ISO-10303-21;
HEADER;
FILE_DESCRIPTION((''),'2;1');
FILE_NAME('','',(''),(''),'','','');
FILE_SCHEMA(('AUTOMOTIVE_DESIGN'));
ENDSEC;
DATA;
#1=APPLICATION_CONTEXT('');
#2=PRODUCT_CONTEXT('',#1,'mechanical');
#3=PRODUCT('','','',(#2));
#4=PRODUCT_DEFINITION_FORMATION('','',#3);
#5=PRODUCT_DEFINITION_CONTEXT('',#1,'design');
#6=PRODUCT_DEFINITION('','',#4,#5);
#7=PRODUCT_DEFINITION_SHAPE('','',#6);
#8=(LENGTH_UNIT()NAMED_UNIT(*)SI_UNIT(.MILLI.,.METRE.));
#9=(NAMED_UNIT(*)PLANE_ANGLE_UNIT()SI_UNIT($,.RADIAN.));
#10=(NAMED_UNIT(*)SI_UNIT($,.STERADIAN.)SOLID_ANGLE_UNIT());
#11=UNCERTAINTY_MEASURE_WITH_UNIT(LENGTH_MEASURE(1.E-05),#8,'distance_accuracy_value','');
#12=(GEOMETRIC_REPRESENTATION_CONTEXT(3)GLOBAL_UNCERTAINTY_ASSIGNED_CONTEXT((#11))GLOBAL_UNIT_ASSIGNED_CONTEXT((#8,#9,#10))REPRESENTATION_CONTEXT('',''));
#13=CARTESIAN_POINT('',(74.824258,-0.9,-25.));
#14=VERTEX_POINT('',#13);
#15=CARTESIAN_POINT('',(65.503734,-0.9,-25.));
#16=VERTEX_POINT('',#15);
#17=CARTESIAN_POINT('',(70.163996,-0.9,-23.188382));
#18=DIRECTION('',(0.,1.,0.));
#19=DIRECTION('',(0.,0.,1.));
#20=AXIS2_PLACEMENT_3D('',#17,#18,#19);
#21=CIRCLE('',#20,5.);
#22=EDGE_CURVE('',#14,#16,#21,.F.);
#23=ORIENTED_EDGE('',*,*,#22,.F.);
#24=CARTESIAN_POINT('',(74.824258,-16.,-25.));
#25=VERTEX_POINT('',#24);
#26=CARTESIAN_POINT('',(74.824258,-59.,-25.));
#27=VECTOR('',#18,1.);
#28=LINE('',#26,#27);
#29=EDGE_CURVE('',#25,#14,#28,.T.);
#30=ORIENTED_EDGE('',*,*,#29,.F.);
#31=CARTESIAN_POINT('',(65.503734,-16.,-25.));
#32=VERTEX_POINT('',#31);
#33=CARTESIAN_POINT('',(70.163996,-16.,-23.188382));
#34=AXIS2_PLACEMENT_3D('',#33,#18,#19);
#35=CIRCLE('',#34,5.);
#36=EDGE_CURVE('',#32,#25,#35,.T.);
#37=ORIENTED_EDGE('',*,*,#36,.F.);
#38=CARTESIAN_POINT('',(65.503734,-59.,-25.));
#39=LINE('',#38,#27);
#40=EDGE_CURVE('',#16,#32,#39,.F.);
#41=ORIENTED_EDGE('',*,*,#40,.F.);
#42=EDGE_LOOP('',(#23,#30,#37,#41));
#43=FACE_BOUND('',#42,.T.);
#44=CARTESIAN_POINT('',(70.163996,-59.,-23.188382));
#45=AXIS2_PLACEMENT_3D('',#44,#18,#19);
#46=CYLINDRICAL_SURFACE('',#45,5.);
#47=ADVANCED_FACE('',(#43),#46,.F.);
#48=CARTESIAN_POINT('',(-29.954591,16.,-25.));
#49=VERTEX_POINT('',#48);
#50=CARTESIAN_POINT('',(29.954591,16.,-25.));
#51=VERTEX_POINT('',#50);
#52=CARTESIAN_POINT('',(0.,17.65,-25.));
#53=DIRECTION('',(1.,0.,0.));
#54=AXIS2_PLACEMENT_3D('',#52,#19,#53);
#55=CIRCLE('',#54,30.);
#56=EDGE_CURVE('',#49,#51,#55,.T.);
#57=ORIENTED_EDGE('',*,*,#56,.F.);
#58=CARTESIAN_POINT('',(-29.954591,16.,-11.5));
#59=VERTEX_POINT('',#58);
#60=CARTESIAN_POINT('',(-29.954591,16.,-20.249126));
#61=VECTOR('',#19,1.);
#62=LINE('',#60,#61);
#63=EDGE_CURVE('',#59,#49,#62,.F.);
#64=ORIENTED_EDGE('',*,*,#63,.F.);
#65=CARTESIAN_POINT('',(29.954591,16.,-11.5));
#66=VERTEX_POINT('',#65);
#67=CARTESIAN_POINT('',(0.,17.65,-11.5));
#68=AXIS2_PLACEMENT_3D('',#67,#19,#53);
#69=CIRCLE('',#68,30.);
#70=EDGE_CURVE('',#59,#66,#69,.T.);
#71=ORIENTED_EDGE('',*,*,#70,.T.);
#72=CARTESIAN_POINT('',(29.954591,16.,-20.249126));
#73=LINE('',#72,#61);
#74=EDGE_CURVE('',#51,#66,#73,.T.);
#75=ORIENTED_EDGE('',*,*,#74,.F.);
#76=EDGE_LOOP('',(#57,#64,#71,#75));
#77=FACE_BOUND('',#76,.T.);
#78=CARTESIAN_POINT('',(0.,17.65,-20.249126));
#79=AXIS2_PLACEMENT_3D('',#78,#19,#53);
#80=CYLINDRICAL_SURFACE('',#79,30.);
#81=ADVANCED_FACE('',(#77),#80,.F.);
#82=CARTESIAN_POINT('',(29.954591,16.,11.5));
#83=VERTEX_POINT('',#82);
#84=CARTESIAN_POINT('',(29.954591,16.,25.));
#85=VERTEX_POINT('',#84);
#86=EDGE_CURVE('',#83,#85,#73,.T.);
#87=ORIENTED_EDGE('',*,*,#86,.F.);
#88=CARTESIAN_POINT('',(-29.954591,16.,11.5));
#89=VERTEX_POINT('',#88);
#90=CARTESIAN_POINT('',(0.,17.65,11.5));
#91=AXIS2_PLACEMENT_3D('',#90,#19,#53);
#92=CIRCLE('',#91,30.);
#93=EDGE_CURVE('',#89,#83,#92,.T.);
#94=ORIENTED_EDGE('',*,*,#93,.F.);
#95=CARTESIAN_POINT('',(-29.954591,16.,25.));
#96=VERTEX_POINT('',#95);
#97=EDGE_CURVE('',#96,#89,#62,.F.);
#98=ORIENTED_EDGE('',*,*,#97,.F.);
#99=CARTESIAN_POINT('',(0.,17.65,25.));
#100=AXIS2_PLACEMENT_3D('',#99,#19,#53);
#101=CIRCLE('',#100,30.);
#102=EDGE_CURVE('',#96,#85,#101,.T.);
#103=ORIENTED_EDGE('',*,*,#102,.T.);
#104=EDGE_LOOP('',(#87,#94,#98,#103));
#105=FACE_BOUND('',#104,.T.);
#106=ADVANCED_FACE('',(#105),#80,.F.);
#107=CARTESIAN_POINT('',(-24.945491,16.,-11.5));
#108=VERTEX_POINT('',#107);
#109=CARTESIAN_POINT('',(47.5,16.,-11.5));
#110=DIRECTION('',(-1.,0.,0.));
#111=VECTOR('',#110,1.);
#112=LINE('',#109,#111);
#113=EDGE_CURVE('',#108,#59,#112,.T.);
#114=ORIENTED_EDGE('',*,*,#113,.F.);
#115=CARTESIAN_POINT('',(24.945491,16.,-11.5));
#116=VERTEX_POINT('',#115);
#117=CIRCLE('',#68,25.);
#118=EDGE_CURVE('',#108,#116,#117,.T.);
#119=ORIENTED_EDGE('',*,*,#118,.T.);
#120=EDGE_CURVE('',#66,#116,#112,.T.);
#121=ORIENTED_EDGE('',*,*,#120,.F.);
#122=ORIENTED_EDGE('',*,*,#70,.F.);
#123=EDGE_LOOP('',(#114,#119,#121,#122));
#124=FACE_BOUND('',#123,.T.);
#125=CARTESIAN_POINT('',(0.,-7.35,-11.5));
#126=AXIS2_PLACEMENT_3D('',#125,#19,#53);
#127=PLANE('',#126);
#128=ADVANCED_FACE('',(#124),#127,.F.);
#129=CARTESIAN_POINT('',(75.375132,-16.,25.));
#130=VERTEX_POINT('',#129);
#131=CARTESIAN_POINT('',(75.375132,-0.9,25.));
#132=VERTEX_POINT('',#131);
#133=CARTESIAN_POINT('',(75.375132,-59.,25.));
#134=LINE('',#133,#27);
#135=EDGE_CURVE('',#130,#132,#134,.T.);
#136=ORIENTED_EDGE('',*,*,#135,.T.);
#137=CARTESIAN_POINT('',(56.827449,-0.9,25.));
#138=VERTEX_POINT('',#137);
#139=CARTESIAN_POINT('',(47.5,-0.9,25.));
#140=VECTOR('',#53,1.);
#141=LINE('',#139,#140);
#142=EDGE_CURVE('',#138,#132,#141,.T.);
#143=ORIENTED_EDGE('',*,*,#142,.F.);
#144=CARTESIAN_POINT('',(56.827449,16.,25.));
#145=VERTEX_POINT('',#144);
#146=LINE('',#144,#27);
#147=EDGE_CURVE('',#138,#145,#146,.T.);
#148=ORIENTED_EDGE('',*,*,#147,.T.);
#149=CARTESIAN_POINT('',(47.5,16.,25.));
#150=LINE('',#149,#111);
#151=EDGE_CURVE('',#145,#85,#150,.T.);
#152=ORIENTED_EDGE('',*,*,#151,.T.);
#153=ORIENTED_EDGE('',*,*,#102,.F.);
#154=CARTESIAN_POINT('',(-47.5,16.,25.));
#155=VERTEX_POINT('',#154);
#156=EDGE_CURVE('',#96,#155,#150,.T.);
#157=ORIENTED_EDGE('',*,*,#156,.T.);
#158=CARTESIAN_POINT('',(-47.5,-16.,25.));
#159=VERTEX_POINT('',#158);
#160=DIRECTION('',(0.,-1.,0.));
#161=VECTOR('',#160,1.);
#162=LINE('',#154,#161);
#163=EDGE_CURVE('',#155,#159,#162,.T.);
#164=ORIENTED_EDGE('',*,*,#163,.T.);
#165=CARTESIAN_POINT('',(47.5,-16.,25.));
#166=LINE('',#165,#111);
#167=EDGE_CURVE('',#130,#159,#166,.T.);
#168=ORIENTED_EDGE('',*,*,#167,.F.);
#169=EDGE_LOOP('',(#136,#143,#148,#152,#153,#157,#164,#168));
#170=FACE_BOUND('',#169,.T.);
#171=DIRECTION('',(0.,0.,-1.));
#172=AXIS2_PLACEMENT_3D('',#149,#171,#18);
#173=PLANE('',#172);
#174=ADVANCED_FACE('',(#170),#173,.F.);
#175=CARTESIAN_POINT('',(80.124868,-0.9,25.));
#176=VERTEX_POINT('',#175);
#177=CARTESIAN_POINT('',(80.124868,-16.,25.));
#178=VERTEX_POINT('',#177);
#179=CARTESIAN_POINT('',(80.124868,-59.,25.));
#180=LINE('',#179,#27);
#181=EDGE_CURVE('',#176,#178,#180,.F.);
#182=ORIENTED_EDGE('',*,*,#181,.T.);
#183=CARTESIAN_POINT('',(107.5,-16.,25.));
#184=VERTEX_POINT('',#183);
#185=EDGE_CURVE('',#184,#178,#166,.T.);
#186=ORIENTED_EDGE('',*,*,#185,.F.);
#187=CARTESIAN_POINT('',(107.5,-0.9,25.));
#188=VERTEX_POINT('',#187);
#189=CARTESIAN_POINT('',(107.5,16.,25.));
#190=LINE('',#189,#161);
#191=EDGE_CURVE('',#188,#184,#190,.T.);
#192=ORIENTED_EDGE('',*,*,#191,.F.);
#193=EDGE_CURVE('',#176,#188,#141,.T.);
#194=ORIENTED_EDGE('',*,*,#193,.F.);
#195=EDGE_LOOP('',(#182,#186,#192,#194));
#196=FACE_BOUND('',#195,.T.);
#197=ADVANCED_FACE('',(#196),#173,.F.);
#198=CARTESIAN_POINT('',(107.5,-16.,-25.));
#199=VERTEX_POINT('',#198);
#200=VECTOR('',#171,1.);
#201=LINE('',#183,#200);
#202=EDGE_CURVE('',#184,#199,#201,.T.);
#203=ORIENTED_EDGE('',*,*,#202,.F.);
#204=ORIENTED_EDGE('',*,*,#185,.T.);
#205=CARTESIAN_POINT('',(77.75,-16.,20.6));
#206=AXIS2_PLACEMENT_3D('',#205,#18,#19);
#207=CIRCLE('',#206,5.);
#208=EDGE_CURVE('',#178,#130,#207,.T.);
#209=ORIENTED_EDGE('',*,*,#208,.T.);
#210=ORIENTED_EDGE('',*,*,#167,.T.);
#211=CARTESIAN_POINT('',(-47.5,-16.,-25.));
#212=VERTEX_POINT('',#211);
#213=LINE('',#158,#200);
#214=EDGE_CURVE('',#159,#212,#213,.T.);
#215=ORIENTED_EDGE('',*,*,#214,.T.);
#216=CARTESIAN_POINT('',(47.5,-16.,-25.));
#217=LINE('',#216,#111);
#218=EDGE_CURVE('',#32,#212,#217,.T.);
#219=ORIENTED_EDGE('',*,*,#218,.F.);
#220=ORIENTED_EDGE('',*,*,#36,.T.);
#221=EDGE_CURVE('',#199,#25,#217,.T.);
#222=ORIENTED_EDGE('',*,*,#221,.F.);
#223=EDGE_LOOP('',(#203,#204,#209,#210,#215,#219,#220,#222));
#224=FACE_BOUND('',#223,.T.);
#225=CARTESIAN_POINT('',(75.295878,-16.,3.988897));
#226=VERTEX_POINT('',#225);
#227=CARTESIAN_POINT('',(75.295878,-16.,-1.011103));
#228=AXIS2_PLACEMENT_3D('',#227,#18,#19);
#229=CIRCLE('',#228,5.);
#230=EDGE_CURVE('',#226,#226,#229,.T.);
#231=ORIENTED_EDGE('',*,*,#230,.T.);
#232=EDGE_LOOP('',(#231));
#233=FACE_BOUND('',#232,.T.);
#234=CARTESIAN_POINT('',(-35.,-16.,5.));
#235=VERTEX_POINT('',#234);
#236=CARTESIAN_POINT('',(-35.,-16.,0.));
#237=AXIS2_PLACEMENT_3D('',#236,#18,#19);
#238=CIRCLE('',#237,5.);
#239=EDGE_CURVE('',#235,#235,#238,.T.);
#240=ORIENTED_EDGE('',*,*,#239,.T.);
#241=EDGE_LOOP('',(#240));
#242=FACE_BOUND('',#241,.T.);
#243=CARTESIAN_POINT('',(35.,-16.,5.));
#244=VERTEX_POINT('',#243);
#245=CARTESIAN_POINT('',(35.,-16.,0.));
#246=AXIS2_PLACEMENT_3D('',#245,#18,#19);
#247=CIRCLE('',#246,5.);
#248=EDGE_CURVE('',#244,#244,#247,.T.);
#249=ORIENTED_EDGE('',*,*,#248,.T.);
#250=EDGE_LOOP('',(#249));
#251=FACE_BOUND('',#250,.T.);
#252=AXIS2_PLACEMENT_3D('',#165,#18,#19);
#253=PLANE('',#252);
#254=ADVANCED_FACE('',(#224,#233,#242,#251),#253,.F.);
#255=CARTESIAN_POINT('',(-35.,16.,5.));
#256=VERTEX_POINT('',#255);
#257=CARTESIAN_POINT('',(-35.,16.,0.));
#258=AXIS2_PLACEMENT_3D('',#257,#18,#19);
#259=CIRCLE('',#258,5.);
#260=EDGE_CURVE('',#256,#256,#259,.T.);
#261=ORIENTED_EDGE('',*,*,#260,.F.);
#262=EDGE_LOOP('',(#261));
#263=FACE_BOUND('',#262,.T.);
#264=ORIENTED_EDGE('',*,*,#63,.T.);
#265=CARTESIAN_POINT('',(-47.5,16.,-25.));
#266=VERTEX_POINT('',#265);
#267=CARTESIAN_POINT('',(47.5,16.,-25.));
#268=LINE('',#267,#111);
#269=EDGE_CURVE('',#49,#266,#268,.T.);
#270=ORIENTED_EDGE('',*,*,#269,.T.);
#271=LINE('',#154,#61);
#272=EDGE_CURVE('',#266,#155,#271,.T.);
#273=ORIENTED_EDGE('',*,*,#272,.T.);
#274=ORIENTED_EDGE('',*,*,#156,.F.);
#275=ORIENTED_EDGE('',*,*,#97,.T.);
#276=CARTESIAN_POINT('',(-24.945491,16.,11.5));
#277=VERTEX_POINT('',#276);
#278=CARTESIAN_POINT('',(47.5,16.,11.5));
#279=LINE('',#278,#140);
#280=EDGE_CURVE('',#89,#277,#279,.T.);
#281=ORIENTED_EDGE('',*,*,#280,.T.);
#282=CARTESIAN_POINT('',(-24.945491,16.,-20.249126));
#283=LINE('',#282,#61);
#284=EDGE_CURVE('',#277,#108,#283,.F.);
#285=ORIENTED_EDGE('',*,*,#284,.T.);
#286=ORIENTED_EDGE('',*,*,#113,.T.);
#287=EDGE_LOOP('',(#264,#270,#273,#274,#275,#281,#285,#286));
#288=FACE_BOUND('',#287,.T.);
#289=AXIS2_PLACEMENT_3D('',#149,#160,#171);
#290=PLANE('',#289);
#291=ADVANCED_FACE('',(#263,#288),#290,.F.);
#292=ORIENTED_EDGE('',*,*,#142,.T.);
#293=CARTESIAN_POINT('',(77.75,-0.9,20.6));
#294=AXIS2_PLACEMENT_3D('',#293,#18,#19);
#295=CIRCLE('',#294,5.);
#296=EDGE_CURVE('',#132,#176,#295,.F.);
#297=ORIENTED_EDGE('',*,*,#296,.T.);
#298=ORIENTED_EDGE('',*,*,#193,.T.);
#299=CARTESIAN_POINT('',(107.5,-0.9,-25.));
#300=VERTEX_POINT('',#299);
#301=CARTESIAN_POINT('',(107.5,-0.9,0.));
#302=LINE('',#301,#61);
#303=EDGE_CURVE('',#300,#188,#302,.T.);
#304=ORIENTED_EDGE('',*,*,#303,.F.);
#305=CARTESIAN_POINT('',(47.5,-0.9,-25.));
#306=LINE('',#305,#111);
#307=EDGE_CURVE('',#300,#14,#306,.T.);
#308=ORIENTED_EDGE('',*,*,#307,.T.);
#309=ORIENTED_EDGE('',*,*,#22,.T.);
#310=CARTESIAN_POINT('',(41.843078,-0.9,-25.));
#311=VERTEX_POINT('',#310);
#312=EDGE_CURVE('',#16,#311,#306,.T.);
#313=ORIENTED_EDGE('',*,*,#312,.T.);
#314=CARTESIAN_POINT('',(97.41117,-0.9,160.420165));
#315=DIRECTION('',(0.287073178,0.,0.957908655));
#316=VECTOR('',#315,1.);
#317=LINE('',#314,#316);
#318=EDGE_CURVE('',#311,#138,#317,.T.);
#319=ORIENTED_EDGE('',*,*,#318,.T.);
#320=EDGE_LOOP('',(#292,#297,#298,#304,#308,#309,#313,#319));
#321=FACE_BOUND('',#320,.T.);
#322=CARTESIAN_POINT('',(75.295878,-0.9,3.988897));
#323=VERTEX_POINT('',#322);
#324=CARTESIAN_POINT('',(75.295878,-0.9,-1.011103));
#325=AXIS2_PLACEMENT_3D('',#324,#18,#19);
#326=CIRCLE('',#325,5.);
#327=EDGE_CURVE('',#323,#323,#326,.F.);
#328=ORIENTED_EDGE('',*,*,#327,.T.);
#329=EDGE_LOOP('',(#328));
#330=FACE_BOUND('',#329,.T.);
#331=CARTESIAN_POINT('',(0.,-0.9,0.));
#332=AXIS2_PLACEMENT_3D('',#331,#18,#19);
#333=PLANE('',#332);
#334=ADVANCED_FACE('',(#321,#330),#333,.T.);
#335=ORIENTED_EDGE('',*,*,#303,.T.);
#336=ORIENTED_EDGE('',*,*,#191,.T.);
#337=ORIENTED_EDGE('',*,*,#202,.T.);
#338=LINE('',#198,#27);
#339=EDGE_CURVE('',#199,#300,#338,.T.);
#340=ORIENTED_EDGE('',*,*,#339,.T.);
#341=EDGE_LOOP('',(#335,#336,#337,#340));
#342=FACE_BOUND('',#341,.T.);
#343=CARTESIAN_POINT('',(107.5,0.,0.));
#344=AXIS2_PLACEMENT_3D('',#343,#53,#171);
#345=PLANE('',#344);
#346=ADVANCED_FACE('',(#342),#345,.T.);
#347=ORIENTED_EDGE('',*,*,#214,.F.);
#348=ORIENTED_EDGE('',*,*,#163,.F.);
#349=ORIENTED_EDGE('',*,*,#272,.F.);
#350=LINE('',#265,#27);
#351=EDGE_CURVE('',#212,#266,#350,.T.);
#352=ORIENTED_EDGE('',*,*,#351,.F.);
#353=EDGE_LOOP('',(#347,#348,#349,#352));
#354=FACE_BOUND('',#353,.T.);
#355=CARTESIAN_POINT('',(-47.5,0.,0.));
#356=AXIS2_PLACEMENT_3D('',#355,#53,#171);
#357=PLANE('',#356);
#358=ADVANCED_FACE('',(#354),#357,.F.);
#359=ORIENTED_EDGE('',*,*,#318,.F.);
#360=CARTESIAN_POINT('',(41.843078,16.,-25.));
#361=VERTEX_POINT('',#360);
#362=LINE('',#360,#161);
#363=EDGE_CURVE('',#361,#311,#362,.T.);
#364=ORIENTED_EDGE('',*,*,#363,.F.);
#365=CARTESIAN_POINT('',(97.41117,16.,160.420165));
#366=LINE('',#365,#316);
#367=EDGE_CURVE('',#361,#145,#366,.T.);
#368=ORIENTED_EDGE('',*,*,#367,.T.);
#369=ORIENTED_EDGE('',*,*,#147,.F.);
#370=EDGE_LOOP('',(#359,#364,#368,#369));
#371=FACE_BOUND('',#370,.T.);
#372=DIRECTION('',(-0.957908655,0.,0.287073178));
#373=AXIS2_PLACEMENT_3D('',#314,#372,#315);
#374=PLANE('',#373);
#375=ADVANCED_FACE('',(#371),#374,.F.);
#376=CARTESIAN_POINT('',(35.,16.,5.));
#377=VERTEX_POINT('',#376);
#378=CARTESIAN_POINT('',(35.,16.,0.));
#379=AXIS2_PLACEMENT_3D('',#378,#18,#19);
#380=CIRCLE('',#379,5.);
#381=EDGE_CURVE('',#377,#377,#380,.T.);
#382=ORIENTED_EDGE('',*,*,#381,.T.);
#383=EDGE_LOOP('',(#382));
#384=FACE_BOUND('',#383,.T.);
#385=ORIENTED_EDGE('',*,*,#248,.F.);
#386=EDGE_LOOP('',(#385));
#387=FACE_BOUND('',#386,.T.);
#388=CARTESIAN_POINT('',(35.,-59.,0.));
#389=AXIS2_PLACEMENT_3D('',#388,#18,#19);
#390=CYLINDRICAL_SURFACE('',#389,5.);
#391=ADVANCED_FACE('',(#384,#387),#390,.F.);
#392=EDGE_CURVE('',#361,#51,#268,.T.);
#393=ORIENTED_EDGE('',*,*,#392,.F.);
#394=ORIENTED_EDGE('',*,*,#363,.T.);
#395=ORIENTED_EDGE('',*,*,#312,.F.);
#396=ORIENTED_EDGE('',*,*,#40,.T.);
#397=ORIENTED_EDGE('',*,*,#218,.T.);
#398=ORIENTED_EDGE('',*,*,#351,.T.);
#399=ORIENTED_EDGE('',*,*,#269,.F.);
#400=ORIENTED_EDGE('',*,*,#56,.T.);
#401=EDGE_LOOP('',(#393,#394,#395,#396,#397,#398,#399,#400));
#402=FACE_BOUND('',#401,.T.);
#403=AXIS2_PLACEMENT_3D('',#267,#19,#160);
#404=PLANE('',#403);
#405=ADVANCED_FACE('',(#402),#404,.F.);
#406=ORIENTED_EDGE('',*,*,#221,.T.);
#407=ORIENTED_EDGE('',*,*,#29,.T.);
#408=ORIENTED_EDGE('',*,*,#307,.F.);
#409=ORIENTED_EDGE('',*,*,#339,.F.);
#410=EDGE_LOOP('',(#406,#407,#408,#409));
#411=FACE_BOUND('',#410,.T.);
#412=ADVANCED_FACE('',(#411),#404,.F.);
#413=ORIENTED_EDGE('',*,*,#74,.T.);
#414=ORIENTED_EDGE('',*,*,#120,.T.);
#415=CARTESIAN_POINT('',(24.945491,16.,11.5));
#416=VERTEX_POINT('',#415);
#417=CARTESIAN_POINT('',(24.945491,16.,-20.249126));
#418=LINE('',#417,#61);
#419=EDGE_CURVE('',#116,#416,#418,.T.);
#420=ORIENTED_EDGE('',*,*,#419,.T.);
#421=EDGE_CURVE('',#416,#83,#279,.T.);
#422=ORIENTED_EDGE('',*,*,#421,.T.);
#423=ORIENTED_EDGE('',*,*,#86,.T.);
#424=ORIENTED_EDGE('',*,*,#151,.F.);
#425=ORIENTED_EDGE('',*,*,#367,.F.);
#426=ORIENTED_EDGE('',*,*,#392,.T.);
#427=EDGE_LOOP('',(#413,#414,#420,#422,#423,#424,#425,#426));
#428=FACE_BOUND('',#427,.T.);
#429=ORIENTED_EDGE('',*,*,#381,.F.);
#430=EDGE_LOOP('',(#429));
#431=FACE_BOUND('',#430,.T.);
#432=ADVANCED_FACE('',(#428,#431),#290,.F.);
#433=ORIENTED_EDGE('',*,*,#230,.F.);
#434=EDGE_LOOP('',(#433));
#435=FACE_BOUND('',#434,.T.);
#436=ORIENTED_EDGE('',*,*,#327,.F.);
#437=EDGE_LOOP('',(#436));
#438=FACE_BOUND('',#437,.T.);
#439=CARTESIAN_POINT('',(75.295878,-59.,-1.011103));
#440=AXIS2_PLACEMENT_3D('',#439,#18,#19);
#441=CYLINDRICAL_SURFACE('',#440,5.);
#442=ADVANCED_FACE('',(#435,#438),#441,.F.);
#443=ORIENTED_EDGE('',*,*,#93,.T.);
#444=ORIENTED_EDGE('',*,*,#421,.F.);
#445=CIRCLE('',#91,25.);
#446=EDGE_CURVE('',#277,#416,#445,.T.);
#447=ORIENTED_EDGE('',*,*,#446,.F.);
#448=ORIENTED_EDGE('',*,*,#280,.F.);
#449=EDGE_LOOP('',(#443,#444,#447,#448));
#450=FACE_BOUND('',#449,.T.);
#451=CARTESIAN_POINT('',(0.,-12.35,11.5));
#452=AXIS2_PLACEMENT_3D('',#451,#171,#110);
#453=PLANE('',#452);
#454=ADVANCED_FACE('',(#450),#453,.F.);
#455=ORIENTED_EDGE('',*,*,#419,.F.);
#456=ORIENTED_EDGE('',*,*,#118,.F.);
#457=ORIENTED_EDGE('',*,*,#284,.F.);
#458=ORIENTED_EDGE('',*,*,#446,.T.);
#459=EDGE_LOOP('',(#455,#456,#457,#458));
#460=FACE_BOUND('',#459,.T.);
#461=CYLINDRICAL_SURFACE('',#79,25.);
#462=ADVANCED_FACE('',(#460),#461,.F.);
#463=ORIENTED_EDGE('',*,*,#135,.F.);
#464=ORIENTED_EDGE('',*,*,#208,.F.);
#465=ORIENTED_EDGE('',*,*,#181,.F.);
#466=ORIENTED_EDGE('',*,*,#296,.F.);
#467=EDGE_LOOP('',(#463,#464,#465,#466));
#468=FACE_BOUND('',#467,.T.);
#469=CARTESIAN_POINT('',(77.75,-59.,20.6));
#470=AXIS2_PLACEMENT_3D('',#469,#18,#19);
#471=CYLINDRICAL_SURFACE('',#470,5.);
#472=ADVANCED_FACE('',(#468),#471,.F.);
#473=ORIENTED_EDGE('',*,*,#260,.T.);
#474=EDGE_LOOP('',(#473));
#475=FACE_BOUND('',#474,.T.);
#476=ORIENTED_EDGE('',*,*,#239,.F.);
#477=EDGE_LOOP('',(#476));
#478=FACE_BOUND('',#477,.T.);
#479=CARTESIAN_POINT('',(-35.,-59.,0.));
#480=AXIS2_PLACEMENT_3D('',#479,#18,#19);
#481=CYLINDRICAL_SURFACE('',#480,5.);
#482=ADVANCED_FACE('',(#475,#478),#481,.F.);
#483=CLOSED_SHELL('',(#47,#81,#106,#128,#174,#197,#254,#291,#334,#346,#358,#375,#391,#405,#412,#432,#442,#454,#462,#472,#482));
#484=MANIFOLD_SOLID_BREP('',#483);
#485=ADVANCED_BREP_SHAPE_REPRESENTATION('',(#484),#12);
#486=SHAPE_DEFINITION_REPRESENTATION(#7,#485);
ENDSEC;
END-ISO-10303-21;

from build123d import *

# Parameters (mm, degrees)
SKETCH1_W           = 50
SKETCH1_H           = 32
BOSS_EXTRUDE1_DEPTH = 47.5
SKETCH5_W           = 50
SKETCH5_H           = 32
BOSS_EXTRUDE2_DEPTH = 60
SKETCH4_R           = 5
CUT_EXTRUDE1_DEPTH  = 75
CUT_EXTRUDE2_DEPTH  = 16.9


with BuildPart() as part:
    # Sketch1 → Boss-Extrude1 (new, symmetric)
    with BuildSketch(Plane(origin=(0, 0, 0), x_dir=(0, 0, -1), z_dir=(1, 0, 0))):
        Rectangle(SKETCH1_W, SKETCH1_H)
    extrude(amount=BOSS_EXTRUDE1_DEPTH, both=True)

    # Sketch3 → Cut-Revolve1 (revolve, cut)
    with BuildSketch(Plane(origin=(0, 0, 0), x_dir=(0, 0, -1), z_dir=(1, 0, 0))):
        Polygon((-25, -12.35), (-11.5, -12.35), (-11.5, -7.35), (11.5, -7.35), (11.5, -12.35), (25, -12.35), (25, 16.59588936), (-25, 16.59588936), align=None)
    revolve(axis=Axis((0, 17.65, -20.249126458), (0, 0, -1)), mode=Mode.SUBTRACT)

    # Sketch5 → Boss-Extrude2 (add)
    with BuildSketch(Plane(origin=(47.5, 0, 0), x_dir=(0, 0, -1), z_dir=(1, 0, 0))):
        Rectangle(SKETCH5_W, SKETCH5_H)
    extrude(amount=BOSS_EXTRUDE2_DEPTH)

    # Sketch4 → Cut-Extrude1 (cut)
    with BuildSketch(Plane(origin=(0, 16, 0), x_dir=(1, 0, 0), z_dir=(0, 1, 0))):
        with Locations(Location((-35, 0, 0), (0, 0, 270))):
            Circle(SKETCH4_R)
        with Locations(Location((35, 0, 0), (0, 0, 270))):
            Circle(SKETCH4_R)
        with Locations((77.75, -20.6)):
            Circle(SKETCH4_R)
        with Locations(Location((75.295878395, 1.01110333, 0), (0, 0, 270))):
            Circle(SKETCH4_R)
        with Locations((70.163995975, 23.188381743)):
            Circle(SKETCH4_R)
    extrude(amount=-CUT_EXTRUDE1_DEPTH, mode=Mode.SUBTRACT)

    # Sketch6 → Cut-Extrude2 (cut)
    with BuildSketch(Plane(origin=(0, 16, 0), x_dir=(1, 0, 0), z_dir=(0, 1, 0))):
        Polygon((97.41116956, -160.42016543), (40, 31.15), (103.809557411, 50.272921943), (161.220726971, -141.297243487), align=None)
    extrude(amount=-CUT_EXTRUDE2_DEPTH, mode=Mode.SUBTRACT)


solid = part.part
